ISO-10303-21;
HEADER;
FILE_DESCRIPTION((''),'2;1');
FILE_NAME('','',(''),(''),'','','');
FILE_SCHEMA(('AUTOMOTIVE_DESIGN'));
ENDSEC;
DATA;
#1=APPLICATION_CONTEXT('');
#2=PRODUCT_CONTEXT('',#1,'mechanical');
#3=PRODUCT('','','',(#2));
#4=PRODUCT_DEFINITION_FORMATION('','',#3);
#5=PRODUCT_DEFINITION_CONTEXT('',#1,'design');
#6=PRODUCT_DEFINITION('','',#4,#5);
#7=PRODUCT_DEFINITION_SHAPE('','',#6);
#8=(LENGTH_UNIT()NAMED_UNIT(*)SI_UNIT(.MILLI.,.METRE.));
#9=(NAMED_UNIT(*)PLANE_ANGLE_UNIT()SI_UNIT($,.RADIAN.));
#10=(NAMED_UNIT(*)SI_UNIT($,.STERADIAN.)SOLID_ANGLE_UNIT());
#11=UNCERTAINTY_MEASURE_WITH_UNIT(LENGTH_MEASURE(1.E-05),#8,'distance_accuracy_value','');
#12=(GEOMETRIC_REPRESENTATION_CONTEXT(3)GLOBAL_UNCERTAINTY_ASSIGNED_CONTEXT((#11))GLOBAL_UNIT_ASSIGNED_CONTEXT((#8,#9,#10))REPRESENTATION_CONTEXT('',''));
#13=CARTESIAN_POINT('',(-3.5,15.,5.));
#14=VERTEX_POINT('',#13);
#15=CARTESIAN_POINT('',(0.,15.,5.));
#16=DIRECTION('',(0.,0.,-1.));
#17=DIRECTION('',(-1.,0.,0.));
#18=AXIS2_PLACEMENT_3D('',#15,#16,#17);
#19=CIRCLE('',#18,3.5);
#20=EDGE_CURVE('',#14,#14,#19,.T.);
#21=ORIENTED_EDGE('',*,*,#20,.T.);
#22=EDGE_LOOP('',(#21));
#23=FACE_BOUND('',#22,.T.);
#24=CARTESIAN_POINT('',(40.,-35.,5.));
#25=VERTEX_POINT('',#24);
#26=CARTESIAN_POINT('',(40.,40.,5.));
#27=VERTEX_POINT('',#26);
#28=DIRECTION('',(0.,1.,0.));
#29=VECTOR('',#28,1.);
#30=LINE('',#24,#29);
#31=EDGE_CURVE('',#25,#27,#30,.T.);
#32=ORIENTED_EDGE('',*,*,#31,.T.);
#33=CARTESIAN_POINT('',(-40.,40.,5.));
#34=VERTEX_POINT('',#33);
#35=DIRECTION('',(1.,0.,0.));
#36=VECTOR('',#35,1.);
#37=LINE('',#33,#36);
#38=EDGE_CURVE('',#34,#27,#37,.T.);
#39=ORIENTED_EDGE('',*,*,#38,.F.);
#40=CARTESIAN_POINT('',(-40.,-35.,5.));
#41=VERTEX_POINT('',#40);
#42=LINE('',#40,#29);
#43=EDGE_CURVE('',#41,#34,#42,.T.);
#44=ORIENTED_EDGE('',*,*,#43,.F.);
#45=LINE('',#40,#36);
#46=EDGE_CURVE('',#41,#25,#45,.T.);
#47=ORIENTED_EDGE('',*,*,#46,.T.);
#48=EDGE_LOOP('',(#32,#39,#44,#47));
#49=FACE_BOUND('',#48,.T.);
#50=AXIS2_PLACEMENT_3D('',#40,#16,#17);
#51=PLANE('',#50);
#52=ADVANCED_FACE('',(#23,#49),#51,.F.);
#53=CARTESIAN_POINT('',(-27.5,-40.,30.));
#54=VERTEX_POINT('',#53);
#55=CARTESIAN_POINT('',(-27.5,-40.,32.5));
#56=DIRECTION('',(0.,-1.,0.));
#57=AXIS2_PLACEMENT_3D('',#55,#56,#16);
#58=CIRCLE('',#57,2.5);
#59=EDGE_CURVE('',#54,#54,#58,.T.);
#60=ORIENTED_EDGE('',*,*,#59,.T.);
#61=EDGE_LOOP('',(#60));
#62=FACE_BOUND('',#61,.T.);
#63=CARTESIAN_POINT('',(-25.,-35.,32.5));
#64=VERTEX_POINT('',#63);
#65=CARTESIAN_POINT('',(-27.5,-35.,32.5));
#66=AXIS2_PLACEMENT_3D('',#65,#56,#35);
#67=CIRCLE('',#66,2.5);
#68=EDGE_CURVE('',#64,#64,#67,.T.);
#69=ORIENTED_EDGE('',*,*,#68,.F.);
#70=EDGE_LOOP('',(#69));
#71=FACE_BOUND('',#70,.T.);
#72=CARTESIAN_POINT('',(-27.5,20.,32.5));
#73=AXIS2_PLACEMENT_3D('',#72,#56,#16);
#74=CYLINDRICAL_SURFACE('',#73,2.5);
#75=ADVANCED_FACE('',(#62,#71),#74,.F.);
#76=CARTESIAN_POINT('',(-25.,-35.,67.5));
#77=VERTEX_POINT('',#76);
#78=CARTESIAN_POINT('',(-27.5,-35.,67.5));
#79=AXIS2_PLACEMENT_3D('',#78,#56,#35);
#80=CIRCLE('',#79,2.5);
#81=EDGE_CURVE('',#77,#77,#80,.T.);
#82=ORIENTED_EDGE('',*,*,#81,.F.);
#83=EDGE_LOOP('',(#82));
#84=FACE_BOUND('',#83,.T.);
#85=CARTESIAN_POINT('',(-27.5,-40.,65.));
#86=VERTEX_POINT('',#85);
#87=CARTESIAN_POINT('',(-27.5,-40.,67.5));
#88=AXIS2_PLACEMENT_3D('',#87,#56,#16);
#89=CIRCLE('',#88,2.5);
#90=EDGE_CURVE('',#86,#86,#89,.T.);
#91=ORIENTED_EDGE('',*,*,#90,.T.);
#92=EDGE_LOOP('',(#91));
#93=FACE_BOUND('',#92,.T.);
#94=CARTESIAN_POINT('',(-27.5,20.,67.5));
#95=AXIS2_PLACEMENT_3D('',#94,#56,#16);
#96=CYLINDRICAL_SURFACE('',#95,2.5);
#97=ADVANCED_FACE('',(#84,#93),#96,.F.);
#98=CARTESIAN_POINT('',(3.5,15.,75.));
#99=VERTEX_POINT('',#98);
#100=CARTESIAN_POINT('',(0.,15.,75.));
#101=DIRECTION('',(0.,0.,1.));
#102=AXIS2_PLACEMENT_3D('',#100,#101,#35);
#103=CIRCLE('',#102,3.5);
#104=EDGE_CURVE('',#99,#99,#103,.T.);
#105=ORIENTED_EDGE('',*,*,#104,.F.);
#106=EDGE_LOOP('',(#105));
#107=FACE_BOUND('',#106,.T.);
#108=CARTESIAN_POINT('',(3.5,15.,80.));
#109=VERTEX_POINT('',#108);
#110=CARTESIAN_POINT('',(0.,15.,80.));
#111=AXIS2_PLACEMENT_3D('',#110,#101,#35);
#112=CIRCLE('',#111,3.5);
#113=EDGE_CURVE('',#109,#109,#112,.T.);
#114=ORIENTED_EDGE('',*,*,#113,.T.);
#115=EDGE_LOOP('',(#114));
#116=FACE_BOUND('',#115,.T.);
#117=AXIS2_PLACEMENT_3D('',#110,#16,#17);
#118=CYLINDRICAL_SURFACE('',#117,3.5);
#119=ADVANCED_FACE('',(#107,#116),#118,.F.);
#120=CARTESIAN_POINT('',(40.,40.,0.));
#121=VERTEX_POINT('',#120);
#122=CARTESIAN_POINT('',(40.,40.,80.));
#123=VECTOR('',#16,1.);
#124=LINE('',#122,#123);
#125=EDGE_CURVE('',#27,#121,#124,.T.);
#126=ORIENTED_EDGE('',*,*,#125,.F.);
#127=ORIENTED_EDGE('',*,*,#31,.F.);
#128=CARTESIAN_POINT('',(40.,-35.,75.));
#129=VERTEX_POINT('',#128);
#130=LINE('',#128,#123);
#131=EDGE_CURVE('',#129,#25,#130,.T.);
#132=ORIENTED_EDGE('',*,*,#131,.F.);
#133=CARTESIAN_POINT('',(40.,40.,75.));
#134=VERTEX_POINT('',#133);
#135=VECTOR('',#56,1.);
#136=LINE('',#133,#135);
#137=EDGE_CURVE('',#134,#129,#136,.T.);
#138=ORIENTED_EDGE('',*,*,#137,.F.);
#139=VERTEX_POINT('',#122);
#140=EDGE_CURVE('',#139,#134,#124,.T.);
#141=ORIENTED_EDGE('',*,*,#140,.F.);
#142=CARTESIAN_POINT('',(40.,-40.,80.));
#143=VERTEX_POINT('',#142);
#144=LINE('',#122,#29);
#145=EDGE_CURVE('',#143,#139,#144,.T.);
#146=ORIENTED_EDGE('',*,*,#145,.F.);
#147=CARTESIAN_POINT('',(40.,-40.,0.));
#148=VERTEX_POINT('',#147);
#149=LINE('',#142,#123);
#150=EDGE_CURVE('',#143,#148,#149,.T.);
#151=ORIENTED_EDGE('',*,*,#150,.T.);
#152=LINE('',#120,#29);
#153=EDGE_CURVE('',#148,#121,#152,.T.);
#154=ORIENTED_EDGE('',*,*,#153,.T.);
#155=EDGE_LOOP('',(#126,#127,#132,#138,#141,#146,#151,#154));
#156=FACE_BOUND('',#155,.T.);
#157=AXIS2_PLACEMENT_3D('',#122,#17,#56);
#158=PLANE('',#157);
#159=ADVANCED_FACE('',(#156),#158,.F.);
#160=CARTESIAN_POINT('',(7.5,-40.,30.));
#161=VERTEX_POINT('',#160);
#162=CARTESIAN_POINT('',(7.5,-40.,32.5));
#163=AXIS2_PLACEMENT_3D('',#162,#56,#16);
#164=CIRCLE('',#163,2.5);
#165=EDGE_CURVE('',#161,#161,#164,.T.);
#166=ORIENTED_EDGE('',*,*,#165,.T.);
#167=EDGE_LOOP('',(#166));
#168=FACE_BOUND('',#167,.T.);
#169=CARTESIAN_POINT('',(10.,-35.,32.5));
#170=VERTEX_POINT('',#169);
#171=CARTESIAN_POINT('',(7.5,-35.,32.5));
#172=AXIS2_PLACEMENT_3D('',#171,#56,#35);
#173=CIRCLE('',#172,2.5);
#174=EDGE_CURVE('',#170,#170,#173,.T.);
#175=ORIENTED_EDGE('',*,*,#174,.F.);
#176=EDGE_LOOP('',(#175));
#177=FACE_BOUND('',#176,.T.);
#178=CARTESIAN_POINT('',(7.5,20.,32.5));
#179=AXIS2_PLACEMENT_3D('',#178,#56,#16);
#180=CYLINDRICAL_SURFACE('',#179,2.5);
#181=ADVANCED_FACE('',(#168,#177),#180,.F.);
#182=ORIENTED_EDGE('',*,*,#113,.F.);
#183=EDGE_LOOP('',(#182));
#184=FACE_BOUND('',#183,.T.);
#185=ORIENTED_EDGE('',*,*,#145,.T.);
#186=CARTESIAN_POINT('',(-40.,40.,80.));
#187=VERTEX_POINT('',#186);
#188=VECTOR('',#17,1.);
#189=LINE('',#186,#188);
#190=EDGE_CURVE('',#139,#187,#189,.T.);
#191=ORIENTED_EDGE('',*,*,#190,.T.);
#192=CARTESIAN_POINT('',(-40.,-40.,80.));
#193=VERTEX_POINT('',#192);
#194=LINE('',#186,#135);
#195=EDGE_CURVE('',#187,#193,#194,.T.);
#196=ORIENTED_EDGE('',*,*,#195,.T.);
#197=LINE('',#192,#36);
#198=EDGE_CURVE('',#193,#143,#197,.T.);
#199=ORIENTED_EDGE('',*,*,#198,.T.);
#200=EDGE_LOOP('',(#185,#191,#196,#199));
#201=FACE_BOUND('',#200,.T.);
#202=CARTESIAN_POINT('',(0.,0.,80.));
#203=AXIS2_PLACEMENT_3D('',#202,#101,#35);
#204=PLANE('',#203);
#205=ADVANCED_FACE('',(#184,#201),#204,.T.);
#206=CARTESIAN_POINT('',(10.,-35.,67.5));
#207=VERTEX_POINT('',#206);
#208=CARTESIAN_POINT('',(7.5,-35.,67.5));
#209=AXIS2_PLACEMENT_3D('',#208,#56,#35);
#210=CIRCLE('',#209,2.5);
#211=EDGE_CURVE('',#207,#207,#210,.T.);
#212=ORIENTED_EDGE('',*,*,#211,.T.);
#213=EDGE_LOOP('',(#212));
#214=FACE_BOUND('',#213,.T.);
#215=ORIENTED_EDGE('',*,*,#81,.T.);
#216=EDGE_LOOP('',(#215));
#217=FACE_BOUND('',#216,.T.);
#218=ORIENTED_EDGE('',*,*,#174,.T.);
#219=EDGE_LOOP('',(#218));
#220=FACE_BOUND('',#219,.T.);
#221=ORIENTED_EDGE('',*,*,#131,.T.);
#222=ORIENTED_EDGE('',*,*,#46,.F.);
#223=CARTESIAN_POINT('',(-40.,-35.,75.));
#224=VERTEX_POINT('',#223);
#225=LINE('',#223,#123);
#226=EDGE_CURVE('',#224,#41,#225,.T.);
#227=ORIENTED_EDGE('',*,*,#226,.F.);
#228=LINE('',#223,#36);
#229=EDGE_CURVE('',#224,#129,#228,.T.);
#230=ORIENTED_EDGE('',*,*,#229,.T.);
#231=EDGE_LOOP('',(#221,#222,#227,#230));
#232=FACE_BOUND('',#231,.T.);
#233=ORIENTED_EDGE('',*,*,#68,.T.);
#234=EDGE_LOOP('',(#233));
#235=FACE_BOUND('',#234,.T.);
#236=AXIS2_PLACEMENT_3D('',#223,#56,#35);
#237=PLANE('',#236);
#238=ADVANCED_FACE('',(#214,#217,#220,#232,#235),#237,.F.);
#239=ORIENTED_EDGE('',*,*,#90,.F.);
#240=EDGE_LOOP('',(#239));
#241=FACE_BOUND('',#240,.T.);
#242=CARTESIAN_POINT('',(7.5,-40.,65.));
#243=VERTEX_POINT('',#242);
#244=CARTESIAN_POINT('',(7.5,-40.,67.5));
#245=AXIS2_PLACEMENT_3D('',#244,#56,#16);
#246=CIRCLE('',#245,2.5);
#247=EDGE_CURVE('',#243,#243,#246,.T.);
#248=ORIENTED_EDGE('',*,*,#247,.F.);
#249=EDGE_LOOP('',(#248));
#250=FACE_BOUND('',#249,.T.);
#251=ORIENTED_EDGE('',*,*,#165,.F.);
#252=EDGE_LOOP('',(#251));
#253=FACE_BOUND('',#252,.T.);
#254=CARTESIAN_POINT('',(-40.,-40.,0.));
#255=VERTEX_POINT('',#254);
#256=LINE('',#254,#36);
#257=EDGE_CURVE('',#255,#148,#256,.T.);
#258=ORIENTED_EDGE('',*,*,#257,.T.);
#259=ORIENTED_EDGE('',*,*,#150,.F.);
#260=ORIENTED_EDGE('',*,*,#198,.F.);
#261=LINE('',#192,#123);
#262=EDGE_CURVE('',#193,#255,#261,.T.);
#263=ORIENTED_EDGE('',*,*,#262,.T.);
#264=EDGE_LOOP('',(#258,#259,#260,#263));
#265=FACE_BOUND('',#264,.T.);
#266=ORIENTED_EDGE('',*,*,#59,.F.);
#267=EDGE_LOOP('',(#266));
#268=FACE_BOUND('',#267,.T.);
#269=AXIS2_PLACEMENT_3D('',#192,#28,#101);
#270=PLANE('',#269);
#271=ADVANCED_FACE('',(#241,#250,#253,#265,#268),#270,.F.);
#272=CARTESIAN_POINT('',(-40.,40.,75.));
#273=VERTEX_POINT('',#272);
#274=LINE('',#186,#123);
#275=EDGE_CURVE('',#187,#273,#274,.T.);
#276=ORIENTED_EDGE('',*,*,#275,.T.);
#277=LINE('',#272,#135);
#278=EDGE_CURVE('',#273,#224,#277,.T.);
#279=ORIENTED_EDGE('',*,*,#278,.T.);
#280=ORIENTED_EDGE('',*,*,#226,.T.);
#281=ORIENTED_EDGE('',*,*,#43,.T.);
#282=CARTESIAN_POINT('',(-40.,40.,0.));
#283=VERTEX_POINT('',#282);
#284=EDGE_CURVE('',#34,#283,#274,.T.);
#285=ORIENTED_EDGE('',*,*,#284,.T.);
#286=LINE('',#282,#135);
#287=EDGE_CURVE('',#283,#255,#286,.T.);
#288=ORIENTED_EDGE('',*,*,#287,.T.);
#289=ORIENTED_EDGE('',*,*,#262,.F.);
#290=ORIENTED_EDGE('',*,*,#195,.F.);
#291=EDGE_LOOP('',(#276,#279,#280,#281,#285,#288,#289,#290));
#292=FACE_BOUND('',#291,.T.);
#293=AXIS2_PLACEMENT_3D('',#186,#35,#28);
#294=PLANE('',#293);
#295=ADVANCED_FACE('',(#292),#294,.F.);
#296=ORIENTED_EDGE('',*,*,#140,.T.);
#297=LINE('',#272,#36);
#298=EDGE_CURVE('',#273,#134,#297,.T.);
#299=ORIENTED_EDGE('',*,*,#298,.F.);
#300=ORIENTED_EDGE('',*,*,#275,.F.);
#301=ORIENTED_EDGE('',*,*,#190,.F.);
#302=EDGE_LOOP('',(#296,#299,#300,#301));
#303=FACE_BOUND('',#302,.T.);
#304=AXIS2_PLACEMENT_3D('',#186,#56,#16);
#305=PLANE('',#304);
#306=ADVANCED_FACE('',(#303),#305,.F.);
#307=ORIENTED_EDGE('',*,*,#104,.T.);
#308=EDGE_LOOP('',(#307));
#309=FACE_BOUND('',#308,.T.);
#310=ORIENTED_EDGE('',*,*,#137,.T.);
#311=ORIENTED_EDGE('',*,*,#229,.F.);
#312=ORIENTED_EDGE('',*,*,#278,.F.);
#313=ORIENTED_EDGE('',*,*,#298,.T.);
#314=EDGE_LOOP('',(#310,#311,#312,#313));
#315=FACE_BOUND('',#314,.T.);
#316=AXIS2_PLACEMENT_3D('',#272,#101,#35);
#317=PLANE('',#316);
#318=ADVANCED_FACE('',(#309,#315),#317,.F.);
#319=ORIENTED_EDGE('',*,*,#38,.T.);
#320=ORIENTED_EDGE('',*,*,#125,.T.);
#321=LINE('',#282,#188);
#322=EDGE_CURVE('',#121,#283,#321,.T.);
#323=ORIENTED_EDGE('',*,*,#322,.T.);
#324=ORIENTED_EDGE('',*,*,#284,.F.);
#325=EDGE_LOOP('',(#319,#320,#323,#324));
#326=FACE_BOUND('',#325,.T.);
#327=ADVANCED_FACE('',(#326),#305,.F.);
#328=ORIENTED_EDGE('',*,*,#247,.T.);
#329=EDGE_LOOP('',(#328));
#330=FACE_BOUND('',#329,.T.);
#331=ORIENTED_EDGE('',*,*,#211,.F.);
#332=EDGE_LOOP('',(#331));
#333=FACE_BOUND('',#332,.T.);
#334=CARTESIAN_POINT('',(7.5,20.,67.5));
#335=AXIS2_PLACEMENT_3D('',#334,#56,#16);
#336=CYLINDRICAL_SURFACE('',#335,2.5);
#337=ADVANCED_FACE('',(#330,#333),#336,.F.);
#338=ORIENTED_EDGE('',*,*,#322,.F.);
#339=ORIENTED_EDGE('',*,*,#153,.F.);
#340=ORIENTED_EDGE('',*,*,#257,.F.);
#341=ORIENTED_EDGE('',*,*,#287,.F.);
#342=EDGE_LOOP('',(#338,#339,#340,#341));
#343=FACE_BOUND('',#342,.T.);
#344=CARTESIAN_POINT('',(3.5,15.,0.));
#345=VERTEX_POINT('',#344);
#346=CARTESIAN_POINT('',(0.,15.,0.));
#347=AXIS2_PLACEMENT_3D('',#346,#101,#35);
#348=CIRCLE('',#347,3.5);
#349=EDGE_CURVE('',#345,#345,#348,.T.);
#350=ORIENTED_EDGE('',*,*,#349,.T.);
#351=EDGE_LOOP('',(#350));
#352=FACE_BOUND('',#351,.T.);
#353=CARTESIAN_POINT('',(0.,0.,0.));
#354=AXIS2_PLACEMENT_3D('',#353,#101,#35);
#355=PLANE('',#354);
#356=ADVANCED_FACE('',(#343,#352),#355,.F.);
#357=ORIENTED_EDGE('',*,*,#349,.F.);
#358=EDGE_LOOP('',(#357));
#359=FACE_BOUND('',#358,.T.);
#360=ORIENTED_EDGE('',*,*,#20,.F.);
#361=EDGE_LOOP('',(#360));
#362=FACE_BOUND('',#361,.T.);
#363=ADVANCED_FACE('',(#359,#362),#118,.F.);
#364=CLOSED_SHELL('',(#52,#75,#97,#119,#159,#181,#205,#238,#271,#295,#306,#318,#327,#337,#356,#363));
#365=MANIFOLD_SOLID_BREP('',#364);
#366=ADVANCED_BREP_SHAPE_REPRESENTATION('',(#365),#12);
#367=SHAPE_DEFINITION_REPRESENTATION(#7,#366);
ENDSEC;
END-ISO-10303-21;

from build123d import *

# Parameters (mm, degrees)
SKETCH1_W           = 80
SKETCH1_H           = 80
SKETCH1_R           = 3.5
BOSS_EXTRUDE1_DEPTH = 80
SKETCH2_W           = 70
SKETCH2_H           = 75
CUT_EXTRUDE1_DEPTH  = 80
SKETCH3_R           = 2.5
CUT_EXTRUDE2_DEPTH  = 60


with BuildPart() as part:
    # Sketch1 → Boss-Extrude1 (new body)
    with BuildSketch(Plane.XY):
        Rectangle(SKETCH1_W, SKETCH1_H)
        with Locations((0, 15)):
            Circle(SKETCH1_R, mode=Mode.SUBTRACT)
    extrude(amount=BOSS_EXTRUDE1_DEPTH)

    # Sketch2 → Cut-Extrude1 (cut)
    with BuildSketch(Plane(origin=(40, 0, 0), x_dir=(0, 0, -1), z_dir=(1, 0, 0))):
        with Locations((-40, 2.5)):
            Rectangle(SKETCH2_W, SKETCH2_H)
    extrude(amount=-CUT_EXTRUDE1_DEPTH, mode=Mode.SUBTRACT)

    # Sketch3 → Cut-Extrude2 (cut)
    with BuildSketch(Plane.XZ.offset(40)):
        with Locations((-27.5, 67.5)):
            Circle(SKETCH3_R)
        with Locations((7.5, 67.5)):
            Circle(SKETCH3_R)
        with Locations((7.5, 32.5)):
            Circle(SKETCH3_R)
        with Locations((-27.5, 32.5)):
            Circle(SKETCH3_R)
    extrude(amount=-CUT_EXTRUDE2_DEPTH, mode=Mode.SUBTRACT)


solid = part.part
